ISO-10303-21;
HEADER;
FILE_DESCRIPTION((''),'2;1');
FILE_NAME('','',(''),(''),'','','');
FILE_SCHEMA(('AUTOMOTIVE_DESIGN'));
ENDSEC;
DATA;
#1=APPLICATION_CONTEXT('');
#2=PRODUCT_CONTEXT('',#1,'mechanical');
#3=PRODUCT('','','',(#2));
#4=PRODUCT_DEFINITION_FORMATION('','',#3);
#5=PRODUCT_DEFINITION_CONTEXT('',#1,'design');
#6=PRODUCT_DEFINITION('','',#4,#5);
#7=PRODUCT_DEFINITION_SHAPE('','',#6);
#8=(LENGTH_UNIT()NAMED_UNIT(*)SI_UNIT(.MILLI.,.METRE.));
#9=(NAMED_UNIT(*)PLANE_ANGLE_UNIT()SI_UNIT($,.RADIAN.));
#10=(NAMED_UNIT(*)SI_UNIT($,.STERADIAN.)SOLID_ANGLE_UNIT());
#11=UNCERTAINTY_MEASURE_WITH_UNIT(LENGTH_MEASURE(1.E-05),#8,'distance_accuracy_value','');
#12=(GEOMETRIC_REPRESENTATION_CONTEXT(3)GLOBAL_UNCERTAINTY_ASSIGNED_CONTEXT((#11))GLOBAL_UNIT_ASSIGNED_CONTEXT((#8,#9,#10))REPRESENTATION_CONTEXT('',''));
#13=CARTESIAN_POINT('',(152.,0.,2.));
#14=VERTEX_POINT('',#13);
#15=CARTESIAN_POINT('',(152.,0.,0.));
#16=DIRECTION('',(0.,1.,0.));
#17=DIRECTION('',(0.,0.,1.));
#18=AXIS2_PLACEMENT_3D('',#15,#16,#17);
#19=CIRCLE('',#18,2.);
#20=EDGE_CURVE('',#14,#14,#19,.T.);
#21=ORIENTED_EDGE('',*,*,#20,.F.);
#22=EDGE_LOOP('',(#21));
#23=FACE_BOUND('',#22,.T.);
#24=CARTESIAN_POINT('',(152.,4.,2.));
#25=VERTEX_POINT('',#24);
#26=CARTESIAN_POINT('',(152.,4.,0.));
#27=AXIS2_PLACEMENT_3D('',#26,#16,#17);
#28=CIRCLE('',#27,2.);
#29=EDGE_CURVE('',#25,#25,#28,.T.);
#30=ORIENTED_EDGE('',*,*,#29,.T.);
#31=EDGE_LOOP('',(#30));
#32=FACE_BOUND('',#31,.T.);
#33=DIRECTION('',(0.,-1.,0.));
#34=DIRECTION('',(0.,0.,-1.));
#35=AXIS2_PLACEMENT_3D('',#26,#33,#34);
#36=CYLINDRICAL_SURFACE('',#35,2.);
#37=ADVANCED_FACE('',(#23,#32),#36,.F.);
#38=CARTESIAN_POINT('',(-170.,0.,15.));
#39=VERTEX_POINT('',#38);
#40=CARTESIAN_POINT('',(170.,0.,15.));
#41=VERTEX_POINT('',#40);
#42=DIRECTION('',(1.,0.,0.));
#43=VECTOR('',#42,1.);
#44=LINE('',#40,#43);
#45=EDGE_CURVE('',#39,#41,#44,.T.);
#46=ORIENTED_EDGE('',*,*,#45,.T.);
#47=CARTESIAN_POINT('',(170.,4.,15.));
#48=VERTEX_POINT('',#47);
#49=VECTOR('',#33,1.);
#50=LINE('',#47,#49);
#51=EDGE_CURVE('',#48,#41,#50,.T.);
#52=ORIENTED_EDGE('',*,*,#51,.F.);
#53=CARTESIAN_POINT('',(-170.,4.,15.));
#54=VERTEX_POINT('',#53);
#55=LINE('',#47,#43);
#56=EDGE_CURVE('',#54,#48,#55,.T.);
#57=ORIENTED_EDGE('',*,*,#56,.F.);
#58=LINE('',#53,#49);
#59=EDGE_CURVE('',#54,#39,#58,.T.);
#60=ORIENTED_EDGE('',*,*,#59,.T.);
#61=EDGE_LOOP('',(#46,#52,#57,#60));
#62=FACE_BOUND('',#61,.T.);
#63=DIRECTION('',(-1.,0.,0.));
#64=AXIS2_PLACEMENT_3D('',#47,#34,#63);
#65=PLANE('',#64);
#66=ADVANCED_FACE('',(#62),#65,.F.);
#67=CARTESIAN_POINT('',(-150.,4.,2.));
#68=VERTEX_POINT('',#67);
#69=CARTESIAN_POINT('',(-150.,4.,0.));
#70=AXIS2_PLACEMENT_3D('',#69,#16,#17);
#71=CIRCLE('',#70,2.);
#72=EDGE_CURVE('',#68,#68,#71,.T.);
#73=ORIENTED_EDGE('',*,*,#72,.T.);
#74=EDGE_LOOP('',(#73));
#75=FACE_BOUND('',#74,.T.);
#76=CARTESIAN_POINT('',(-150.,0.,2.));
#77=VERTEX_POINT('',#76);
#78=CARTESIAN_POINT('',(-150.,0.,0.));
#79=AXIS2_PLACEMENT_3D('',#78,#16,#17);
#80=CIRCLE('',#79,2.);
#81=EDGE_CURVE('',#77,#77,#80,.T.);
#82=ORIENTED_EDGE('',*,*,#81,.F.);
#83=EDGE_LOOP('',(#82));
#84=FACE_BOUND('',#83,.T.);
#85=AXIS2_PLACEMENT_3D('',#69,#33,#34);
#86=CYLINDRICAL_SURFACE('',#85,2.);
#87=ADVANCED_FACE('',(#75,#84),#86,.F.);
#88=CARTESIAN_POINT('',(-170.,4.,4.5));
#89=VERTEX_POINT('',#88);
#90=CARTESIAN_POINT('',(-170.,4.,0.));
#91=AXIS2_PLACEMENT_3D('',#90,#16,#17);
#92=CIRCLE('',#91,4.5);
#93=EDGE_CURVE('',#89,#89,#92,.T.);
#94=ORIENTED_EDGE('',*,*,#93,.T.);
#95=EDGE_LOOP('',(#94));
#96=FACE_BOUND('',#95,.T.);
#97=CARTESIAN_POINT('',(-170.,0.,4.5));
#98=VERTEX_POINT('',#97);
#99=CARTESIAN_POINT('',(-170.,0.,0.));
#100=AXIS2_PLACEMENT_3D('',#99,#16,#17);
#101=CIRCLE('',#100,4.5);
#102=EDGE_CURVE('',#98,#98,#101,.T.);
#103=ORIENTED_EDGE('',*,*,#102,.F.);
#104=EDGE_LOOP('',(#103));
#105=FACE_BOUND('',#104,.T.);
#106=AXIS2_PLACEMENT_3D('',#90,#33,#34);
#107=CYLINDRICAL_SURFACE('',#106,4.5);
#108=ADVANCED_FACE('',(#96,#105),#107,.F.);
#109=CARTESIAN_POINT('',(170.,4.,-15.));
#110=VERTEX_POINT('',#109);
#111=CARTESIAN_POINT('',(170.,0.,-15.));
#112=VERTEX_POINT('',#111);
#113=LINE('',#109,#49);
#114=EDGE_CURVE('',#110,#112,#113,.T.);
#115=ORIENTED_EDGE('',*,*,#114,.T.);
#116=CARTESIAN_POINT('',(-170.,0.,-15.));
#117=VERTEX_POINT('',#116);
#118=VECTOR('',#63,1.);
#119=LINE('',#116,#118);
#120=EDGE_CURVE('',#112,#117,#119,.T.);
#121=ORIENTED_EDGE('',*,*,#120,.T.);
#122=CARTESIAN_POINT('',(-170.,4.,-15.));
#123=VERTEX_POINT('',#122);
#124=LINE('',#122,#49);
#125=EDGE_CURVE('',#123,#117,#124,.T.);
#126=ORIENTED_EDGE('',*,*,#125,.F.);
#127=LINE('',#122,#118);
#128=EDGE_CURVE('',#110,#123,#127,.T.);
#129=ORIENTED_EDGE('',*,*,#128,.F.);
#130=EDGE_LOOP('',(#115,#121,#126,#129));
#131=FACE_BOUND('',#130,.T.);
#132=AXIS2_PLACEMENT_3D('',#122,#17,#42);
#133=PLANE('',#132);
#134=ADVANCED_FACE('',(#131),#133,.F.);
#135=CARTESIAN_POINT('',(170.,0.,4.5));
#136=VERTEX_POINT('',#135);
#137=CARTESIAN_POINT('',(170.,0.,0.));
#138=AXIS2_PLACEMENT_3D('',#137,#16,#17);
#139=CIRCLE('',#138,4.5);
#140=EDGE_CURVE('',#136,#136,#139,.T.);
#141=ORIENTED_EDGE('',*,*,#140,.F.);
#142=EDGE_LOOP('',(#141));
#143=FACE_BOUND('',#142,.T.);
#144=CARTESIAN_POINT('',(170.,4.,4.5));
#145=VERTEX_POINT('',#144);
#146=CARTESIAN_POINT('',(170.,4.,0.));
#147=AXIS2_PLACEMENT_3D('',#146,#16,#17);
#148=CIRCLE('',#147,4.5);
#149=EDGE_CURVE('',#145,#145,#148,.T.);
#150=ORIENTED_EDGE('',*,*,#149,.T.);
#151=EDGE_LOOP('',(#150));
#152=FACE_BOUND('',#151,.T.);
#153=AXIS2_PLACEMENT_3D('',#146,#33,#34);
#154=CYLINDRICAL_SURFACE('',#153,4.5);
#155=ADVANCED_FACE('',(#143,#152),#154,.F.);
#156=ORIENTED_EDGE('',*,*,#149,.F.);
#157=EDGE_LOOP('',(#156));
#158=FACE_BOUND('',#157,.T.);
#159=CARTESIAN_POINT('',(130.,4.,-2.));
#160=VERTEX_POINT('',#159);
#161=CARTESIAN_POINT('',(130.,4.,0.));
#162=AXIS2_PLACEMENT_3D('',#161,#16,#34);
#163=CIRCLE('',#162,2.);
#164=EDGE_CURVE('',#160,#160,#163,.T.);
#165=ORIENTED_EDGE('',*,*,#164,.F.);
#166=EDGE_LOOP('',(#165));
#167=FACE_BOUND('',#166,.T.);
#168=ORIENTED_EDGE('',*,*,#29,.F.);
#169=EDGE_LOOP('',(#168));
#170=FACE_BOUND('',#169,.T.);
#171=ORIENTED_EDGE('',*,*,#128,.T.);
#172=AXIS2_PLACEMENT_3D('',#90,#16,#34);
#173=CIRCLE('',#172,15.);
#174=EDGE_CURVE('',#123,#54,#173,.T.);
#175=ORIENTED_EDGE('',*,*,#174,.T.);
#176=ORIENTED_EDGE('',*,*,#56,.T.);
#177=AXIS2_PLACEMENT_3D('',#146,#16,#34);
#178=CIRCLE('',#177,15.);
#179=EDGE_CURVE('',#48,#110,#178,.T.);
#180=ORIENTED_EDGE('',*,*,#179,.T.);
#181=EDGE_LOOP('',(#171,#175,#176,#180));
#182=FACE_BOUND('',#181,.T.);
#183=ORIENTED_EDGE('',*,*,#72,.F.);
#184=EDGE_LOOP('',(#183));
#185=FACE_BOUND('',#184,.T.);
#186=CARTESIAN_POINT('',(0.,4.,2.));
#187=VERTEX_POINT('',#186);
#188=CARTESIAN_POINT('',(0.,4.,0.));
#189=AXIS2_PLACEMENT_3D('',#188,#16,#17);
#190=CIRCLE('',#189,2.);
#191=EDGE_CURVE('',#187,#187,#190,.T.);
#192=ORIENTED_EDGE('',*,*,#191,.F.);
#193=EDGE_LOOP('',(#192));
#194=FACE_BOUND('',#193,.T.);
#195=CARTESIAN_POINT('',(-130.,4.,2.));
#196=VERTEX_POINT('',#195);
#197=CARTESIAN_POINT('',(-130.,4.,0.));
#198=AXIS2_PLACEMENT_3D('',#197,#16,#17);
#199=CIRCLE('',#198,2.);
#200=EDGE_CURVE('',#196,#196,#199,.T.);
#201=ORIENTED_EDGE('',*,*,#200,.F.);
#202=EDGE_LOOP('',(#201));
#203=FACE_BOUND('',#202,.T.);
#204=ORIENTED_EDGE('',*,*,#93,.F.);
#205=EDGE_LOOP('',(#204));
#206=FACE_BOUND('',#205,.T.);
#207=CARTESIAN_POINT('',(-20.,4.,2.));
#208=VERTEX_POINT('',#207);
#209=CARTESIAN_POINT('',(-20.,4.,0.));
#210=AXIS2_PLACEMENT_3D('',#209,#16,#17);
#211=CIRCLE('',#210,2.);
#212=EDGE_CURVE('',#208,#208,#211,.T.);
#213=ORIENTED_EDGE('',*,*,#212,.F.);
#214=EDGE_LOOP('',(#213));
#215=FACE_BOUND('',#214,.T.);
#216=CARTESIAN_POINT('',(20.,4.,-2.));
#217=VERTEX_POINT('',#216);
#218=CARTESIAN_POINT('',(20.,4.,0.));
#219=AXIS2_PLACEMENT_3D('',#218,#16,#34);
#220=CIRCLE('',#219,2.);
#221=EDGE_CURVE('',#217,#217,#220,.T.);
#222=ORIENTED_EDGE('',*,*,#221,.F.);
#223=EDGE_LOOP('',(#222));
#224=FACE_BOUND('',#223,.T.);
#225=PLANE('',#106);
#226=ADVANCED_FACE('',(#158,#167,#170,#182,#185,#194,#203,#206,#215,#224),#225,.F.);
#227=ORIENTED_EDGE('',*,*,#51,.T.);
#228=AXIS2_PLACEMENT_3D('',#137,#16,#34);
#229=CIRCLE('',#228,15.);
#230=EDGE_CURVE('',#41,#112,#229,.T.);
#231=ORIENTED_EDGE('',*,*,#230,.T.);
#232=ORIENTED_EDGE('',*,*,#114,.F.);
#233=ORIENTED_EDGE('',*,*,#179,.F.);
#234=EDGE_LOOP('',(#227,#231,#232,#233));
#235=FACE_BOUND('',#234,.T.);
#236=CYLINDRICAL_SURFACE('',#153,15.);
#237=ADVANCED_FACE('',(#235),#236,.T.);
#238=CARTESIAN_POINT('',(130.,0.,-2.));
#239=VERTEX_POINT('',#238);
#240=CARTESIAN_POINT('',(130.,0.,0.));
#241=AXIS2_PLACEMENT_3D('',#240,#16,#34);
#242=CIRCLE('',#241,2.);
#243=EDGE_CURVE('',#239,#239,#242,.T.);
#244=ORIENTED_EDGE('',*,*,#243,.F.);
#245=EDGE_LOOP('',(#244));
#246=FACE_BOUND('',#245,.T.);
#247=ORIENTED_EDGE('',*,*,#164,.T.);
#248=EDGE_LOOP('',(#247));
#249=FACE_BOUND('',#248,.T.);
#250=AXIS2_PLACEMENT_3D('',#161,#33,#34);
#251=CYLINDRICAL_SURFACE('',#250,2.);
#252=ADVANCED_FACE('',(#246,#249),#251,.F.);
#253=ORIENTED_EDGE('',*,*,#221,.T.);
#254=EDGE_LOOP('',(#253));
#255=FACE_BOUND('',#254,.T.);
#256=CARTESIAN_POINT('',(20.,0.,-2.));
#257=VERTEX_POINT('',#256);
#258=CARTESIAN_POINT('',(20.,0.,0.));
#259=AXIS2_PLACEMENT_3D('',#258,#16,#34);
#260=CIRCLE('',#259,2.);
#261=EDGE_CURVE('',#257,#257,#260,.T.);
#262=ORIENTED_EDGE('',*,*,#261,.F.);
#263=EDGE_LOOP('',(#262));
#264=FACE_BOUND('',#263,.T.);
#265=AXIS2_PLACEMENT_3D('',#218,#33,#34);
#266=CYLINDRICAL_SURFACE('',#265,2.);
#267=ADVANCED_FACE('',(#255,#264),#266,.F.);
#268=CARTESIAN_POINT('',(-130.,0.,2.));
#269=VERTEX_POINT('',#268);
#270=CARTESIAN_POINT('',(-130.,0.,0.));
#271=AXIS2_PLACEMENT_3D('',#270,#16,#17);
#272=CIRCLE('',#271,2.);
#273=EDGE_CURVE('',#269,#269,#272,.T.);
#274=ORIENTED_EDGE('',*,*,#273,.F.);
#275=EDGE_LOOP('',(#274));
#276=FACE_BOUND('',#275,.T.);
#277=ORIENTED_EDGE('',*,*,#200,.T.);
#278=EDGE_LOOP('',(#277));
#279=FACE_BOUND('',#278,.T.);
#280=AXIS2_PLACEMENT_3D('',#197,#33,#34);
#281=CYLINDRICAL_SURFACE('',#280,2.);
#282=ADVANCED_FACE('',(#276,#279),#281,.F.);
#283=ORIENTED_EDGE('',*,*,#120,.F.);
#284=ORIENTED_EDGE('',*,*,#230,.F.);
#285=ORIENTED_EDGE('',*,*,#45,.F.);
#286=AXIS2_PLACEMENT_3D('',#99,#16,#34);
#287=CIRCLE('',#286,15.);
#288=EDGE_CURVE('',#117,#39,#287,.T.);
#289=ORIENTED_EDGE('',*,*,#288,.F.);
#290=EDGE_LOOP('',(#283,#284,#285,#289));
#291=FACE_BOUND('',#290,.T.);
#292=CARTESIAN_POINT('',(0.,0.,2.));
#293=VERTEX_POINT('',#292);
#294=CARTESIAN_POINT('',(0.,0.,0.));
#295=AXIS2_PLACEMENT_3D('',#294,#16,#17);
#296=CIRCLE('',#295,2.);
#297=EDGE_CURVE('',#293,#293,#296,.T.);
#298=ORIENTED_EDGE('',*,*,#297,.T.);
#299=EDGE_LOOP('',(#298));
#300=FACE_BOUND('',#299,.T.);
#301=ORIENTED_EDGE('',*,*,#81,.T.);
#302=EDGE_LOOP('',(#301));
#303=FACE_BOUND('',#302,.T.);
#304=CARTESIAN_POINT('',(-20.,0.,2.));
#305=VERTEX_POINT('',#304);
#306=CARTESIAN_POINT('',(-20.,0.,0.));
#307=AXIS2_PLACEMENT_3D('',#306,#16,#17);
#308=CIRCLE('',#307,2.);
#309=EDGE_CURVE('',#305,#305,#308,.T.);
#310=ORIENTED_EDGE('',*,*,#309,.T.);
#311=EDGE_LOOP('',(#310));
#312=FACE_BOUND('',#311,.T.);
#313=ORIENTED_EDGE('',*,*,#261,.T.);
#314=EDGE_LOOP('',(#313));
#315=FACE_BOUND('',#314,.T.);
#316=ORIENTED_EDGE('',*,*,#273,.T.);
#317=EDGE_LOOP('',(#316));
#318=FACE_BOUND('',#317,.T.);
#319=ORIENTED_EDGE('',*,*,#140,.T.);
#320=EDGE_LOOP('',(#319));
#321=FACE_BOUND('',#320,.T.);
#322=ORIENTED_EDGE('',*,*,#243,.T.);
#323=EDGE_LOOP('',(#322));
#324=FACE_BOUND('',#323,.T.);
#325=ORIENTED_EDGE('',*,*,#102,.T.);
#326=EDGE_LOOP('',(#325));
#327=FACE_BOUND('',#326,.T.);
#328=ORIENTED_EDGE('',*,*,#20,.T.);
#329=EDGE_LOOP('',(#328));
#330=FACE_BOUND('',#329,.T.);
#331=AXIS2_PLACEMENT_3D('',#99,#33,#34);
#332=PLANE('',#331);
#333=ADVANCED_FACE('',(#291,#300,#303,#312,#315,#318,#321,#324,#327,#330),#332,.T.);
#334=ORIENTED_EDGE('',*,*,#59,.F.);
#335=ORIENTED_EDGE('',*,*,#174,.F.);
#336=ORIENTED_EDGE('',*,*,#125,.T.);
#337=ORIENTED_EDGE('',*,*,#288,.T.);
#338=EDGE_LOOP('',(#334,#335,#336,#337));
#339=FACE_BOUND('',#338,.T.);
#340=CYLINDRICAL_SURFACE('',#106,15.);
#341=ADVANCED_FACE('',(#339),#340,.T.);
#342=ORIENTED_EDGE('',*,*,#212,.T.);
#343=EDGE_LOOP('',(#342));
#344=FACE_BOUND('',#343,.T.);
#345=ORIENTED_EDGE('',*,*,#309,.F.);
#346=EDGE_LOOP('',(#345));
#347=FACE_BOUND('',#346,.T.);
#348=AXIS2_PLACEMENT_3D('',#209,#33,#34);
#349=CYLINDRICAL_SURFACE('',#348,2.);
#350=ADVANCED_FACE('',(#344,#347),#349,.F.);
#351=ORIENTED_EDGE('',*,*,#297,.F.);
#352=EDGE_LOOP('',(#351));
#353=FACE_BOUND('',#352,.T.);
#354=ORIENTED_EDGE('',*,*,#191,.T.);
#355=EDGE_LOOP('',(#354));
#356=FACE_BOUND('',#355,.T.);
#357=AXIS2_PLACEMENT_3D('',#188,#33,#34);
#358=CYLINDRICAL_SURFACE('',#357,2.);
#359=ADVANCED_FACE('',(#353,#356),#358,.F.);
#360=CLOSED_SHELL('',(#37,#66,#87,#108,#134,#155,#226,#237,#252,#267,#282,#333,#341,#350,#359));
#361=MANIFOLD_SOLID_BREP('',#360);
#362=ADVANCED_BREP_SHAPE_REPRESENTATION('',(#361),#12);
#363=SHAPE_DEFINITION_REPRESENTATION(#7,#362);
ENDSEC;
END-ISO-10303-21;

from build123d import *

# Parameters (mm, degrees)
SKETCH1_R           = 4.5
SKETCH1_R_2         = 2
BOSS_EXTRUDE1_DEPTH = 4


with BuildPart() as part:
    # Sketch1 → Boss-Extrude1 (new body)
    with BuildSketch(Plane(origin=(0, 0, 0), x_dir=(1, 0, 0), z_dir=(0, 1, 0))):
        with BuildLine():
            Line((-170, 15), (170, 15))
            ThreePointArc((170, 15), (185, 0), (170, -15))
            Line((170, -15), (-170, -15))
            ThreePointArc((-170, -15), (-185, 0), (-170, 15))
        make_face()
        with Locations(Location((-170, 0, 0), (0, 0, 270))):
            Circle(SKETCH1_R, mode=Mode.SUBTRACT)
        with Locations(Location((170, 0, 0), (0, 0, 270))):
            Circle(SKETCH1_R, mode=Mode.SUBTRACT)
        with Locations(Location((-150, 0, 0), (0, 0, 270))):
            Circle(SKETCH1_R_2, mode=Mode.SUBTRACT)
        with Locations(Location((152, 0, 0), (0, 0, 270))):
            Circle(SKETCH1_R_2, mode=Mode.SUBTRACT)
        with Locations(Location((0, 0, 0), (0, 0, 270))):
            Circle(SKETCH1_R_2, mode=Mode.SUBTRACT)
        with Locations(Location((-130, 0, 0), (0, 0, 270))):
            Circle(SKETCH1_R_2, mode=Mode.SUBTRACT)
        with Locations(Location((-20, 0, 0), (0, 0, 270))):
            Circle(SKETCH1_R_2, mode=Mode.SUBTRACT)
        with Locations(Location((20, 0, 0), (0, 0, 90))):
            Circle(SKETCH1_R_2, mode=Mode.SUBTRACT)
        with Locations(Location((130, 0, 0), (0, 0, 90))):
            Circle(SKETCH1_R_2, mode=Mode.SUBTRACT)
    extrude(amount=BOSS_EXTRUDE1_DEPTH)


solid = part.part
